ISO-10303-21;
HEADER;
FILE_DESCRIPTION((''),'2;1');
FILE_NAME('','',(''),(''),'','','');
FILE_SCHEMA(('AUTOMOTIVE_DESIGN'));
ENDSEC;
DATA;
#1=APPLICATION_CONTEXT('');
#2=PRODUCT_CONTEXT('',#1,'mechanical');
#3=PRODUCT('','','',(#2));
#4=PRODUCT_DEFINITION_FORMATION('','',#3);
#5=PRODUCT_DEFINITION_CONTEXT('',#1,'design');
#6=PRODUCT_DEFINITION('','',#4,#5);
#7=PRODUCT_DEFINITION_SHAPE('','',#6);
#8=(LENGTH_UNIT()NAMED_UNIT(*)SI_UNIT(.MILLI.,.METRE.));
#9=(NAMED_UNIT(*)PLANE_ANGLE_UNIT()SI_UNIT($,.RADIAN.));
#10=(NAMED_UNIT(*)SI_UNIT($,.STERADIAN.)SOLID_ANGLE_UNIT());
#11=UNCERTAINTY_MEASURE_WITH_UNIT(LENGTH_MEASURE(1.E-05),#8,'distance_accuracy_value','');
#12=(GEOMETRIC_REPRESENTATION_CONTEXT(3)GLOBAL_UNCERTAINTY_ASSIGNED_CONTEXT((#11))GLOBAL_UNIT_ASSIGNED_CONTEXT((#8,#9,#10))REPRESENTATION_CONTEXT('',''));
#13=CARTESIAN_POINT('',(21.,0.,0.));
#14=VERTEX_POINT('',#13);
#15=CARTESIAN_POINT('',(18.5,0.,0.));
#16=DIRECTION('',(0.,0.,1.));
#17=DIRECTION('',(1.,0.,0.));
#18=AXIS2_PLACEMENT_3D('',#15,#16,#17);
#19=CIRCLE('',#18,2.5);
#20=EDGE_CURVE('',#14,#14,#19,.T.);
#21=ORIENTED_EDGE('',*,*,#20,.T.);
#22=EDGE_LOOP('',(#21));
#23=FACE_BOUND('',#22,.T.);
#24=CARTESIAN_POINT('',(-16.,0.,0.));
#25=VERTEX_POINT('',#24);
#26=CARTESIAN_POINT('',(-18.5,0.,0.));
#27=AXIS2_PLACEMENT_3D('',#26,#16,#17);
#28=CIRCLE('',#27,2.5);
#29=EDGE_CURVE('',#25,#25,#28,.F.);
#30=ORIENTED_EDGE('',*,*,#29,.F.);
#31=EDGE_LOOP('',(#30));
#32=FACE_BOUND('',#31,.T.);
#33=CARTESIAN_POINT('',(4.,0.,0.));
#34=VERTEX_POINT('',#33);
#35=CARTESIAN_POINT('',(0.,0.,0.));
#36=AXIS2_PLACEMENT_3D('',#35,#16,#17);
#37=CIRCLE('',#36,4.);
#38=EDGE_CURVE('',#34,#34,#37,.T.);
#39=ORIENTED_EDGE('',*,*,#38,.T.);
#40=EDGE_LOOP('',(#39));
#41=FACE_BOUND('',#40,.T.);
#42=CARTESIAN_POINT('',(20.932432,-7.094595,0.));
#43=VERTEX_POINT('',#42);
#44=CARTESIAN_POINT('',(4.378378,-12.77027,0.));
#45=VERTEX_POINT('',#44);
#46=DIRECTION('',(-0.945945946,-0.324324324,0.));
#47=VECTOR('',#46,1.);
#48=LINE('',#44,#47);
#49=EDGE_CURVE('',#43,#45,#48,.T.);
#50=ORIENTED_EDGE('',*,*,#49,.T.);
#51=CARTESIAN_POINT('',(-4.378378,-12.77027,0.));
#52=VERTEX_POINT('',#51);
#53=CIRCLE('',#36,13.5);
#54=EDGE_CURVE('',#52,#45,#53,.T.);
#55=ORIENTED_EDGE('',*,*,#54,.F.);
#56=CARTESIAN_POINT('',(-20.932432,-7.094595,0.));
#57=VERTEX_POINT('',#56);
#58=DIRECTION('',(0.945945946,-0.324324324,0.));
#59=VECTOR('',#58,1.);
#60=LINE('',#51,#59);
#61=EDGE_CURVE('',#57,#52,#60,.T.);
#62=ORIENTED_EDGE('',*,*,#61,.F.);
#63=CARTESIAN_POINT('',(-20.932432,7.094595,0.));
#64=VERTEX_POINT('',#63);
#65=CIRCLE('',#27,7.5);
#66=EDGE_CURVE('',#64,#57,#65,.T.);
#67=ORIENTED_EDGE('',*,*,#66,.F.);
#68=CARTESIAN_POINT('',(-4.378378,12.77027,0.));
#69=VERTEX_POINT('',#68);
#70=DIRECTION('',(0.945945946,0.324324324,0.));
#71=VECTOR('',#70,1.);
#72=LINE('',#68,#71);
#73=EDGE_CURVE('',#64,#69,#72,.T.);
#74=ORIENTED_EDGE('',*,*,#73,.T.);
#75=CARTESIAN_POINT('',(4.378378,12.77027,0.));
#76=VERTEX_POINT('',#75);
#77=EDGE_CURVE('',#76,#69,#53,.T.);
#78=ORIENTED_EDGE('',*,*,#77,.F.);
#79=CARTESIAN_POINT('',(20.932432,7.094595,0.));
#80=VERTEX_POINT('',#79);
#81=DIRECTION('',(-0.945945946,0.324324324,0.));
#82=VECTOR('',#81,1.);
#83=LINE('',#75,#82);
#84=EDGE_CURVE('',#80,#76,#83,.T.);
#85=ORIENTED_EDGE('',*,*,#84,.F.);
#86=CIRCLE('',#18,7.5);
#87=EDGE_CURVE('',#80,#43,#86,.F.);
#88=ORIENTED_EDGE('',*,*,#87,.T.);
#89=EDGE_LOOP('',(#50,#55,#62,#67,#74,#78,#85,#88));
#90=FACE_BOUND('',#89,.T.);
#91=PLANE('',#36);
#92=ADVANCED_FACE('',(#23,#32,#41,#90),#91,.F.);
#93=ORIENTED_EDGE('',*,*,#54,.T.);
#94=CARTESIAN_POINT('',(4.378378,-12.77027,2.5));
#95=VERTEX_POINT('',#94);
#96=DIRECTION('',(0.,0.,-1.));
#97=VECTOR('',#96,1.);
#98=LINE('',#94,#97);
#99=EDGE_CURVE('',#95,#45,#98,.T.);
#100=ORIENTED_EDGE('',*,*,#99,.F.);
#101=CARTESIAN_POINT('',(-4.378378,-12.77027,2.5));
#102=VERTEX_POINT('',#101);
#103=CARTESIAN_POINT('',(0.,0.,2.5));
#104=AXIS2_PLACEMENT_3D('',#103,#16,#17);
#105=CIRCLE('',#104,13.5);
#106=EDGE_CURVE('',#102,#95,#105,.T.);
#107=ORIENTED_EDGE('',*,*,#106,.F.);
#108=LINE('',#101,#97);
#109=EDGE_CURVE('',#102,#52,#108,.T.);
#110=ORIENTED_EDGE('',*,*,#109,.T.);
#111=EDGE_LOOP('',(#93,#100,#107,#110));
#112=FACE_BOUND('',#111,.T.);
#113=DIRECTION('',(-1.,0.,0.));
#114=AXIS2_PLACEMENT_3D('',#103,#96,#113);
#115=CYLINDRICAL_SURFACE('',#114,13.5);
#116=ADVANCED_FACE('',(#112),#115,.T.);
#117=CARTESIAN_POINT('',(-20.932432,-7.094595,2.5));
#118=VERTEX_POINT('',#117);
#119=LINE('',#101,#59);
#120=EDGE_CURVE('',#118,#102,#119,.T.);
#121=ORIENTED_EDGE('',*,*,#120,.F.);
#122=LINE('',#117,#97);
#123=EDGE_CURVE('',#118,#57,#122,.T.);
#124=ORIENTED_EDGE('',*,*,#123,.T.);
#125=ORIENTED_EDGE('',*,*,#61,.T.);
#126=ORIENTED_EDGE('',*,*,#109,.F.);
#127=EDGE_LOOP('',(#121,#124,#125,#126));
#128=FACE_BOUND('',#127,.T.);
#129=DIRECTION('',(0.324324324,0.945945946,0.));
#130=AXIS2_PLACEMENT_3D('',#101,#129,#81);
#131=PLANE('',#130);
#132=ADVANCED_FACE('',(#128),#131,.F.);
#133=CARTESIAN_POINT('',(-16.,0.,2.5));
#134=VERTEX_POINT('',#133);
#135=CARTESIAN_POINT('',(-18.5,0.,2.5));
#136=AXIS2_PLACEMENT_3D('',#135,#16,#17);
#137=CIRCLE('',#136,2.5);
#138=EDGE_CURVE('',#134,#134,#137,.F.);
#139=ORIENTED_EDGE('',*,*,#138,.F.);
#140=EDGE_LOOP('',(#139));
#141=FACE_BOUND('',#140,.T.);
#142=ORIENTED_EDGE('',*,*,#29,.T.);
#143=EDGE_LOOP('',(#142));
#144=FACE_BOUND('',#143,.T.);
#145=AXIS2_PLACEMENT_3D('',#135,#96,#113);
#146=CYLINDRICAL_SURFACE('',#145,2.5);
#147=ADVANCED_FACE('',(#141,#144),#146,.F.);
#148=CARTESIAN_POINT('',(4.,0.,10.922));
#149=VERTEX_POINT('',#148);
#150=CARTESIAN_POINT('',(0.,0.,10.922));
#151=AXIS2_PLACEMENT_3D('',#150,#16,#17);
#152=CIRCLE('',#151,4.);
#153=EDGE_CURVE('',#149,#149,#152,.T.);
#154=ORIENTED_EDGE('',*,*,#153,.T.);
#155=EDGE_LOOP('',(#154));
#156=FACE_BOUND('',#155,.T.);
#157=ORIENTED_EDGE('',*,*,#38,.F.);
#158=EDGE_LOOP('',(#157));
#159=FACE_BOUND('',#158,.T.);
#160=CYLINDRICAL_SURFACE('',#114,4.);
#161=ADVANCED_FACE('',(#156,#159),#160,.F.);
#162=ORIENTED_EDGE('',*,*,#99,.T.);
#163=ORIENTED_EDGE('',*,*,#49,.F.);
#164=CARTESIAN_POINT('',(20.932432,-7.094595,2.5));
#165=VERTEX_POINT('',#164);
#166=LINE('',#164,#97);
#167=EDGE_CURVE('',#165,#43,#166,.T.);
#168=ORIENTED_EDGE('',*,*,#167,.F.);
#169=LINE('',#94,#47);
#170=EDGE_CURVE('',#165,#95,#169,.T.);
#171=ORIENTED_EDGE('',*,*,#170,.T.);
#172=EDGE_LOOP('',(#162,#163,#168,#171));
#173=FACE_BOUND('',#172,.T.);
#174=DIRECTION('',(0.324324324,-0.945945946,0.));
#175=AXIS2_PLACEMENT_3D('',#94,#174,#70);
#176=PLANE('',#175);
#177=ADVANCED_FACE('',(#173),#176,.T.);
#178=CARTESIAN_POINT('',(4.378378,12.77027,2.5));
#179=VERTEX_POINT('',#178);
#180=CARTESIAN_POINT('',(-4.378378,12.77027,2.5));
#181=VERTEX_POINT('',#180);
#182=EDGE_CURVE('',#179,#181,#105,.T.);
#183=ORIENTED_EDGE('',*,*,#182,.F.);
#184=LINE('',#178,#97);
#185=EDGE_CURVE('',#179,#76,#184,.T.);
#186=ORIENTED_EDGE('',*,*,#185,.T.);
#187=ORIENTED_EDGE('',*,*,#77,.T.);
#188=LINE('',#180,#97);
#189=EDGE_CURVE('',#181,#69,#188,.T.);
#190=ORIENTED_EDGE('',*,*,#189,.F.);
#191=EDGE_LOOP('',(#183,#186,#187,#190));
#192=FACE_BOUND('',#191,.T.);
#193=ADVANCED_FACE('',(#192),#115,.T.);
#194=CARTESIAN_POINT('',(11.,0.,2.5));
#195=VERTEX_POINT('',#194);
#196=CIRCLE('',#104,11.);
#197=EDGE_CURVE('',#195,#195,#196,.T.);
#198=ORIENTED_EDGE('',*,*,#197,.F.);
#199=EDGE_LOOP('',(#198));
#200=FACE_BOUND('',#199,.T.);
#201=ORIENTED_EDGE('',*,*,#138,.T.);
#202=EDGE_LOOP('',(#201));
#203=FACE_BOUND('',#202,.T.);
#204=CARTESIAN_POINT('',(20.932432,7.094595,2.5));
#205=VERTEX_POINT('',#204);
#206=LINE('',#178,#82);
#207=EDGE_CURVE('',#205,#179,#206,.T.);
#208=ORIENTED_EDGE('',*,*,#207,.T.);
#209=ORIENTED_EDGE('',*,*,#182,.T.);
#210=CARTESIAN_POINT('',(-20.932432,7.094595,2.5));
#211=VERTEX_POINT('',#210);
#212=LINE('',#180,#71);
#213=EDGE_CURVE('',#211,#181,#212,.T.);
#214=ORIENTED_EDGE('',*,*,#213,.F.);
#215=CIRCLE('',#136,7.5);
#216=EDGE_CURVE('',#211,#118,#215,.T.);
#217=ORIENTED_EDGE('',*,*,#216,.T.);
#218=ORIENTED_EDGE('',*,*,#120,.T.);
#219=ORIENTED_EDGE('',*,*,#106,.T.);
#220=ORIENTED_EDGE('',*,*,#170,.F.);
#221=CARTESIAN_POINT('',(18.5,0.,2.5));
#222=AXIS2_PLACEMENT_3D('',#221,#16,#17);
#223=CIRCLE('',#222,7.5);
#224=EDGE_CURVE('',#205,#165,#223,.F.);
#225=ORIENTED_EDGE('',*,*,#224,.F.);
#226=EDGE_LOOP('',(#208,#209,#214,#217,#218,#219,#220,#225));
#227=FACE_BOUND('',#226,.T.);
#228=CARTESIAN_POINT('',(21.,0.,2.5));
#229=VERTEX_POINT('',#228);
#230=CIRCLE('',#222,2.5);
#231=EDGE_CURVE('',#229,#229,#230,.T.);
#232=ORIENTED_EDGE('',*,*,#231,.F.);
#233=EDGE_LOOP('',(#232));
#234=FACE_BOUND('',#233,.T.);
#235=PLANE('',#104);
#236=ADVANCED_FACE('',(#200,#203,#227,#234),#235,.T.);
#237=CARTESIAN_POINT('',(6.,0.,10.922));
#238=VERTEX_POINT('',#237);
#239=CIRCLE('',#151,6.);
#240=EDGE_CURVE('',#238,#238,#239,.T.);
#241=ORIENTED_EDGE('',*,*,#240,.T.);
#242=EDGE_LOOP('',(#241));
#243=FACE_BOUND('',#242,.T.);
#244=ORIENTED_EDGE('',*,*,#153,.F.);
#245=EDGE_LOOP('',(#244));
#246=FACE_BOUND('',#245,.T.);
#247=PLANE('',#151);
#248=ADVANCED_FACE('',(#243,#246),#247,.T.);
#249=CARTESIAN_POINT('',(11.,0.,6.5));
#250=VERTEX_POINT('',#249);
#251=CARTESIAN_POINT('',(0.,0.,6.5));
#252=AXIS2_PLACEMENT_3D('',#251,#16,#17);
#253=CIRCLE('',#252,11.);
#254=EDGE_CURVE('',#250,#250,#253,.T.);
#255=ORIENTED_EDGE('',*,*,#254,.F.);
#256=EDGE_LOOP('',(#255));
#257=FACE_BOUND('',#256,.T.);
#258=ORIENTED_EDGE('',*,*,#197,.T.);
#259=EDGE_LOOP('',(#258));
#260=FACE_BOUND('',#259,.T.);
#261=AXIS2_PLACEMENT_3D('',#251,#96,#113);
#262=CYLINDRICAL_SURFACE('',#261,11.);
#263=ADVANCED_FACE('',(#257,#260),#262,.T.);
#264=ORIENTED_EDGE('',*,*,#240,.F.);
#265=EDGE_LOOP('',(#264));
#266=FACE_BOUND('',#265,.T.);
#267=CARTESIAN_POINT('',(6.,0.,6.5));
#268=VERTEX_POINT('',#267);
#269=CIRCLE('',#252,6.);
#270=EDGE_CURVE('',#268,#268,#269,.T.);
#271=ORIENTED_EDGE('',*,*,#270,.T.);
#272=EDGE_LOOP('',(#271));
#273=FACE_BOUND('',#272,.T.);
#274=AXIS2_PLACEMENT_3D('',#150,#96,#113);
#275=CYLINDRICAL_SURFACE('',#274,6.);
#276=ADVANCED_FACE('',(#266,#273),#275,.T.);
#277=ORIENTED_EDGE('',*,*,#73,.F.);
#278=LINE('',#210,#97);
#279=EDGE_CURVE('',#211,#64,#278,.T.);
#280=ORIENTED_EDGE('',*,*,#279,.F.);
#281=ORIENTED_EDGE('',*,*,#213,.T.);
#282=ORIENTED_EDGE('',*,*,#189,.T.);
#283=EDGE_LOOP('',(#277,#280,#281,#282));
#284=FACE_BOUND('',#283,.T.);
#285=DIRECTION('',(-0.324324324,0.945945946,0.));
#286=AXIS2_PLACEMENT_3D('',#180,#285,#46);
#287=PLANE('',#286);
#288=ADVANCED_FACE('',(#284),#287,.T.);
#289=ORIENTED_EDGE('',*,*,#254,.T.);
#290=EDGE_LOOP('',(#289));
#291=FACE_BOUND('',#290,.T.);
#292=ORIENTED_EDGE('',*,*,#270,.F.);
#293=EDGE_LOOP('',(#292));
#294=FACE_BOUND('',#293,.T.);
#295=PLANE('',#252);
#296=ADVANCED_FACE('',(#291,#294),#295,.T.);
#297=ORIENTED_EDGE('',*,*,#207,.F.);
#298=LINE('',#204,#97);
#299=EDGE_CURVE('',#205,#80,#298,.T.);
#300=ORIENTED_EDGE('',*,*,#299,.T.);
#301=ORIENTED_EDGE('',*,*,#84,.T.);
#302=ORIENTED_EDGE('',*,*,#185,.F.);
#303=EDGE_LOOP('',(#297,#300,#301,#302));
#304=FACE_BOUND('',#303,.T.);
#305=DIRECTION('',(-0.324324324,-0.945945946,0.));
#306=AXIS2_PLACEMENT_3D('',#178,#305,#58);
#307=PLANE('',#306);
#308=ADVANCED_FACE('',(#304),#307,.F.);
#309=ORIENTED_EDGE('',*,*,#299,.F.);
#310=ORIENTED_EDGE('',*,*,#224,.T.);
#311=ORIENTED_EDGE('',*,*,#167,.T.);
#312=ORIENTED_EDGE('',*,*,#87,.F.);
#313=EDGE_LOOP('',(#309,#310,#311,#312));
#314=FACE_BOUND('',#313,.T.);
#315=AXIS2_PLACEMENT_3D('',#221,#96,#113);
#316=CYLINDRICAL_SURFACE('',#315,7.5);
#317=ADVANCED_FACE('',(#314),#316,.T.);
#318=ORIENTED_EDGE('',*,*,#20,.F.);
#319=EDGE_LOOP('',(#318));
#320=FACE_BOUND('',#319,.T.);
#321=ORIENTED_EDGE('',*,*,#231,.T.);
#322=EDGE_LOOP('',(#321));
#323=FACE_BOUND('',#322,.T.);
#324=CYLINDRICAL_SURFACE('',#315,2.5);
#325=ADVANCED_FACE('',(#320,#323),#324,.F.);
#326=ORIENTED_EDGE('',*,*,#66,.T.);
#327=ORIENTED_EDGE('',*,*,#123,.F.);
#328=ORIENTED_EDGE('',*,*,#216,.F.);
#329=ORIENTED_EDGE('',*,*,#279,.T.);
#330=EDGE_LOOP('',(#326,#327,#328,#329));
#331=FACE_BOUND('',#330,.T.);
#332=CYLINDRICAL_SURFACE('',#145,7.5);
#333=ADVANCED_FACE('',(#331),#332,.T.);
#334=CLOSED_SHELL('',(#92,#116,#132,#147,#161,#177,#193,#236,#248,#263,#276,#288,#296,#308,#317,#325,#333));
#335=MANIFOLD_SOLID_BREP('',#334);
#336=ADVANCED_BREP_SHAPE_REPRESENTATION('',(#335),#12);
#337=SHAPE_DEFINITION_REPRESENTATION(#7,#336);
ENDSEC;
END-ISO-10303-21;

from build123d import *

# Parameters (mm, degrees)
SKETCH2_R           = 4
SKETCH2_R_2         = 2.5
BOSS_EXTRUDE1_DEPTH = 2.5
SKETCH3_R           = 6
SKETCH3_R_2         = 4
BOSS_EXTRUDE2_DEPTH = 10.922
SKETCH4_R           = 11
SKETCH4_R_2         = 6
BOSS_EXTRUDE3_DEPTH = 4


with BuildPart() as part:
    # Sketch2 → Boss-Extrude1 (new body)
    with BuildSketch(Plane.XY):
        with BuildLine():
            ThreePointArc((20.932432432, -7.094594595), (26, 0), (20.932432432, 7.094594595))
            Line((20.932432432, 7.094594595), (4.378378378, 12.77027027))
            ThreePointArc((4.378378378, 12.77027027), (0, 13.5), (-4.378378378, 12.77027027))
            Line((-4.378378378, 12.77027027), (-20.932432432, 7.094594595))
            ThreePointArc((-20.932432432, 7.094594595), (-26, 0), (-20.932432432, -7.094594595))
            Line((-20.932432432, -7.094594595), (-4.378378378, -12.77027027))
            ThreePointArc((-4.378378378, -12.77027027), (0, -13.5), (4.378378378, -12.77027027))
            Line((4.378378378, -12.77027027), (20.932432432, -7.094594595))
        make_face()
        Circle(SKETCH2_R, mode=Mode.SUBTRACT)
        with Locations((18.5, 0)):
            Circle(SKETCH2_R_2, mode=Mode.SUBTRACT)
        with Locations((-18.5, 0)):
            Circle(SKETCH2_R_2, mode=Mode.SUBTRACT)
    extrude(amount=BOSS_EXTRUDE1_DEPTH)

    # Sketch3 → Boss-Extrude2 (add)
    with BuildSketch(Plane.XY):
        Circle(SKETCH3_R)
        Circle(SKETCH3_R_2, mode=Mode.SUBTRACT)
    extrude(amount=BOSS_EXTRUDE2_DEPTH)

    # Sketch4 → Boss-Extrude3 (add)
    with BuildSketch(Plane.XY.offset(2.5)):
        Circle(SKETCH4_R)
        Circle(SKETCH4_R_2, mode=Mode.SUBTRACT)
    extrude(amount=BOSS_EXTRUDE3_DEPTH)


solid = part.part
